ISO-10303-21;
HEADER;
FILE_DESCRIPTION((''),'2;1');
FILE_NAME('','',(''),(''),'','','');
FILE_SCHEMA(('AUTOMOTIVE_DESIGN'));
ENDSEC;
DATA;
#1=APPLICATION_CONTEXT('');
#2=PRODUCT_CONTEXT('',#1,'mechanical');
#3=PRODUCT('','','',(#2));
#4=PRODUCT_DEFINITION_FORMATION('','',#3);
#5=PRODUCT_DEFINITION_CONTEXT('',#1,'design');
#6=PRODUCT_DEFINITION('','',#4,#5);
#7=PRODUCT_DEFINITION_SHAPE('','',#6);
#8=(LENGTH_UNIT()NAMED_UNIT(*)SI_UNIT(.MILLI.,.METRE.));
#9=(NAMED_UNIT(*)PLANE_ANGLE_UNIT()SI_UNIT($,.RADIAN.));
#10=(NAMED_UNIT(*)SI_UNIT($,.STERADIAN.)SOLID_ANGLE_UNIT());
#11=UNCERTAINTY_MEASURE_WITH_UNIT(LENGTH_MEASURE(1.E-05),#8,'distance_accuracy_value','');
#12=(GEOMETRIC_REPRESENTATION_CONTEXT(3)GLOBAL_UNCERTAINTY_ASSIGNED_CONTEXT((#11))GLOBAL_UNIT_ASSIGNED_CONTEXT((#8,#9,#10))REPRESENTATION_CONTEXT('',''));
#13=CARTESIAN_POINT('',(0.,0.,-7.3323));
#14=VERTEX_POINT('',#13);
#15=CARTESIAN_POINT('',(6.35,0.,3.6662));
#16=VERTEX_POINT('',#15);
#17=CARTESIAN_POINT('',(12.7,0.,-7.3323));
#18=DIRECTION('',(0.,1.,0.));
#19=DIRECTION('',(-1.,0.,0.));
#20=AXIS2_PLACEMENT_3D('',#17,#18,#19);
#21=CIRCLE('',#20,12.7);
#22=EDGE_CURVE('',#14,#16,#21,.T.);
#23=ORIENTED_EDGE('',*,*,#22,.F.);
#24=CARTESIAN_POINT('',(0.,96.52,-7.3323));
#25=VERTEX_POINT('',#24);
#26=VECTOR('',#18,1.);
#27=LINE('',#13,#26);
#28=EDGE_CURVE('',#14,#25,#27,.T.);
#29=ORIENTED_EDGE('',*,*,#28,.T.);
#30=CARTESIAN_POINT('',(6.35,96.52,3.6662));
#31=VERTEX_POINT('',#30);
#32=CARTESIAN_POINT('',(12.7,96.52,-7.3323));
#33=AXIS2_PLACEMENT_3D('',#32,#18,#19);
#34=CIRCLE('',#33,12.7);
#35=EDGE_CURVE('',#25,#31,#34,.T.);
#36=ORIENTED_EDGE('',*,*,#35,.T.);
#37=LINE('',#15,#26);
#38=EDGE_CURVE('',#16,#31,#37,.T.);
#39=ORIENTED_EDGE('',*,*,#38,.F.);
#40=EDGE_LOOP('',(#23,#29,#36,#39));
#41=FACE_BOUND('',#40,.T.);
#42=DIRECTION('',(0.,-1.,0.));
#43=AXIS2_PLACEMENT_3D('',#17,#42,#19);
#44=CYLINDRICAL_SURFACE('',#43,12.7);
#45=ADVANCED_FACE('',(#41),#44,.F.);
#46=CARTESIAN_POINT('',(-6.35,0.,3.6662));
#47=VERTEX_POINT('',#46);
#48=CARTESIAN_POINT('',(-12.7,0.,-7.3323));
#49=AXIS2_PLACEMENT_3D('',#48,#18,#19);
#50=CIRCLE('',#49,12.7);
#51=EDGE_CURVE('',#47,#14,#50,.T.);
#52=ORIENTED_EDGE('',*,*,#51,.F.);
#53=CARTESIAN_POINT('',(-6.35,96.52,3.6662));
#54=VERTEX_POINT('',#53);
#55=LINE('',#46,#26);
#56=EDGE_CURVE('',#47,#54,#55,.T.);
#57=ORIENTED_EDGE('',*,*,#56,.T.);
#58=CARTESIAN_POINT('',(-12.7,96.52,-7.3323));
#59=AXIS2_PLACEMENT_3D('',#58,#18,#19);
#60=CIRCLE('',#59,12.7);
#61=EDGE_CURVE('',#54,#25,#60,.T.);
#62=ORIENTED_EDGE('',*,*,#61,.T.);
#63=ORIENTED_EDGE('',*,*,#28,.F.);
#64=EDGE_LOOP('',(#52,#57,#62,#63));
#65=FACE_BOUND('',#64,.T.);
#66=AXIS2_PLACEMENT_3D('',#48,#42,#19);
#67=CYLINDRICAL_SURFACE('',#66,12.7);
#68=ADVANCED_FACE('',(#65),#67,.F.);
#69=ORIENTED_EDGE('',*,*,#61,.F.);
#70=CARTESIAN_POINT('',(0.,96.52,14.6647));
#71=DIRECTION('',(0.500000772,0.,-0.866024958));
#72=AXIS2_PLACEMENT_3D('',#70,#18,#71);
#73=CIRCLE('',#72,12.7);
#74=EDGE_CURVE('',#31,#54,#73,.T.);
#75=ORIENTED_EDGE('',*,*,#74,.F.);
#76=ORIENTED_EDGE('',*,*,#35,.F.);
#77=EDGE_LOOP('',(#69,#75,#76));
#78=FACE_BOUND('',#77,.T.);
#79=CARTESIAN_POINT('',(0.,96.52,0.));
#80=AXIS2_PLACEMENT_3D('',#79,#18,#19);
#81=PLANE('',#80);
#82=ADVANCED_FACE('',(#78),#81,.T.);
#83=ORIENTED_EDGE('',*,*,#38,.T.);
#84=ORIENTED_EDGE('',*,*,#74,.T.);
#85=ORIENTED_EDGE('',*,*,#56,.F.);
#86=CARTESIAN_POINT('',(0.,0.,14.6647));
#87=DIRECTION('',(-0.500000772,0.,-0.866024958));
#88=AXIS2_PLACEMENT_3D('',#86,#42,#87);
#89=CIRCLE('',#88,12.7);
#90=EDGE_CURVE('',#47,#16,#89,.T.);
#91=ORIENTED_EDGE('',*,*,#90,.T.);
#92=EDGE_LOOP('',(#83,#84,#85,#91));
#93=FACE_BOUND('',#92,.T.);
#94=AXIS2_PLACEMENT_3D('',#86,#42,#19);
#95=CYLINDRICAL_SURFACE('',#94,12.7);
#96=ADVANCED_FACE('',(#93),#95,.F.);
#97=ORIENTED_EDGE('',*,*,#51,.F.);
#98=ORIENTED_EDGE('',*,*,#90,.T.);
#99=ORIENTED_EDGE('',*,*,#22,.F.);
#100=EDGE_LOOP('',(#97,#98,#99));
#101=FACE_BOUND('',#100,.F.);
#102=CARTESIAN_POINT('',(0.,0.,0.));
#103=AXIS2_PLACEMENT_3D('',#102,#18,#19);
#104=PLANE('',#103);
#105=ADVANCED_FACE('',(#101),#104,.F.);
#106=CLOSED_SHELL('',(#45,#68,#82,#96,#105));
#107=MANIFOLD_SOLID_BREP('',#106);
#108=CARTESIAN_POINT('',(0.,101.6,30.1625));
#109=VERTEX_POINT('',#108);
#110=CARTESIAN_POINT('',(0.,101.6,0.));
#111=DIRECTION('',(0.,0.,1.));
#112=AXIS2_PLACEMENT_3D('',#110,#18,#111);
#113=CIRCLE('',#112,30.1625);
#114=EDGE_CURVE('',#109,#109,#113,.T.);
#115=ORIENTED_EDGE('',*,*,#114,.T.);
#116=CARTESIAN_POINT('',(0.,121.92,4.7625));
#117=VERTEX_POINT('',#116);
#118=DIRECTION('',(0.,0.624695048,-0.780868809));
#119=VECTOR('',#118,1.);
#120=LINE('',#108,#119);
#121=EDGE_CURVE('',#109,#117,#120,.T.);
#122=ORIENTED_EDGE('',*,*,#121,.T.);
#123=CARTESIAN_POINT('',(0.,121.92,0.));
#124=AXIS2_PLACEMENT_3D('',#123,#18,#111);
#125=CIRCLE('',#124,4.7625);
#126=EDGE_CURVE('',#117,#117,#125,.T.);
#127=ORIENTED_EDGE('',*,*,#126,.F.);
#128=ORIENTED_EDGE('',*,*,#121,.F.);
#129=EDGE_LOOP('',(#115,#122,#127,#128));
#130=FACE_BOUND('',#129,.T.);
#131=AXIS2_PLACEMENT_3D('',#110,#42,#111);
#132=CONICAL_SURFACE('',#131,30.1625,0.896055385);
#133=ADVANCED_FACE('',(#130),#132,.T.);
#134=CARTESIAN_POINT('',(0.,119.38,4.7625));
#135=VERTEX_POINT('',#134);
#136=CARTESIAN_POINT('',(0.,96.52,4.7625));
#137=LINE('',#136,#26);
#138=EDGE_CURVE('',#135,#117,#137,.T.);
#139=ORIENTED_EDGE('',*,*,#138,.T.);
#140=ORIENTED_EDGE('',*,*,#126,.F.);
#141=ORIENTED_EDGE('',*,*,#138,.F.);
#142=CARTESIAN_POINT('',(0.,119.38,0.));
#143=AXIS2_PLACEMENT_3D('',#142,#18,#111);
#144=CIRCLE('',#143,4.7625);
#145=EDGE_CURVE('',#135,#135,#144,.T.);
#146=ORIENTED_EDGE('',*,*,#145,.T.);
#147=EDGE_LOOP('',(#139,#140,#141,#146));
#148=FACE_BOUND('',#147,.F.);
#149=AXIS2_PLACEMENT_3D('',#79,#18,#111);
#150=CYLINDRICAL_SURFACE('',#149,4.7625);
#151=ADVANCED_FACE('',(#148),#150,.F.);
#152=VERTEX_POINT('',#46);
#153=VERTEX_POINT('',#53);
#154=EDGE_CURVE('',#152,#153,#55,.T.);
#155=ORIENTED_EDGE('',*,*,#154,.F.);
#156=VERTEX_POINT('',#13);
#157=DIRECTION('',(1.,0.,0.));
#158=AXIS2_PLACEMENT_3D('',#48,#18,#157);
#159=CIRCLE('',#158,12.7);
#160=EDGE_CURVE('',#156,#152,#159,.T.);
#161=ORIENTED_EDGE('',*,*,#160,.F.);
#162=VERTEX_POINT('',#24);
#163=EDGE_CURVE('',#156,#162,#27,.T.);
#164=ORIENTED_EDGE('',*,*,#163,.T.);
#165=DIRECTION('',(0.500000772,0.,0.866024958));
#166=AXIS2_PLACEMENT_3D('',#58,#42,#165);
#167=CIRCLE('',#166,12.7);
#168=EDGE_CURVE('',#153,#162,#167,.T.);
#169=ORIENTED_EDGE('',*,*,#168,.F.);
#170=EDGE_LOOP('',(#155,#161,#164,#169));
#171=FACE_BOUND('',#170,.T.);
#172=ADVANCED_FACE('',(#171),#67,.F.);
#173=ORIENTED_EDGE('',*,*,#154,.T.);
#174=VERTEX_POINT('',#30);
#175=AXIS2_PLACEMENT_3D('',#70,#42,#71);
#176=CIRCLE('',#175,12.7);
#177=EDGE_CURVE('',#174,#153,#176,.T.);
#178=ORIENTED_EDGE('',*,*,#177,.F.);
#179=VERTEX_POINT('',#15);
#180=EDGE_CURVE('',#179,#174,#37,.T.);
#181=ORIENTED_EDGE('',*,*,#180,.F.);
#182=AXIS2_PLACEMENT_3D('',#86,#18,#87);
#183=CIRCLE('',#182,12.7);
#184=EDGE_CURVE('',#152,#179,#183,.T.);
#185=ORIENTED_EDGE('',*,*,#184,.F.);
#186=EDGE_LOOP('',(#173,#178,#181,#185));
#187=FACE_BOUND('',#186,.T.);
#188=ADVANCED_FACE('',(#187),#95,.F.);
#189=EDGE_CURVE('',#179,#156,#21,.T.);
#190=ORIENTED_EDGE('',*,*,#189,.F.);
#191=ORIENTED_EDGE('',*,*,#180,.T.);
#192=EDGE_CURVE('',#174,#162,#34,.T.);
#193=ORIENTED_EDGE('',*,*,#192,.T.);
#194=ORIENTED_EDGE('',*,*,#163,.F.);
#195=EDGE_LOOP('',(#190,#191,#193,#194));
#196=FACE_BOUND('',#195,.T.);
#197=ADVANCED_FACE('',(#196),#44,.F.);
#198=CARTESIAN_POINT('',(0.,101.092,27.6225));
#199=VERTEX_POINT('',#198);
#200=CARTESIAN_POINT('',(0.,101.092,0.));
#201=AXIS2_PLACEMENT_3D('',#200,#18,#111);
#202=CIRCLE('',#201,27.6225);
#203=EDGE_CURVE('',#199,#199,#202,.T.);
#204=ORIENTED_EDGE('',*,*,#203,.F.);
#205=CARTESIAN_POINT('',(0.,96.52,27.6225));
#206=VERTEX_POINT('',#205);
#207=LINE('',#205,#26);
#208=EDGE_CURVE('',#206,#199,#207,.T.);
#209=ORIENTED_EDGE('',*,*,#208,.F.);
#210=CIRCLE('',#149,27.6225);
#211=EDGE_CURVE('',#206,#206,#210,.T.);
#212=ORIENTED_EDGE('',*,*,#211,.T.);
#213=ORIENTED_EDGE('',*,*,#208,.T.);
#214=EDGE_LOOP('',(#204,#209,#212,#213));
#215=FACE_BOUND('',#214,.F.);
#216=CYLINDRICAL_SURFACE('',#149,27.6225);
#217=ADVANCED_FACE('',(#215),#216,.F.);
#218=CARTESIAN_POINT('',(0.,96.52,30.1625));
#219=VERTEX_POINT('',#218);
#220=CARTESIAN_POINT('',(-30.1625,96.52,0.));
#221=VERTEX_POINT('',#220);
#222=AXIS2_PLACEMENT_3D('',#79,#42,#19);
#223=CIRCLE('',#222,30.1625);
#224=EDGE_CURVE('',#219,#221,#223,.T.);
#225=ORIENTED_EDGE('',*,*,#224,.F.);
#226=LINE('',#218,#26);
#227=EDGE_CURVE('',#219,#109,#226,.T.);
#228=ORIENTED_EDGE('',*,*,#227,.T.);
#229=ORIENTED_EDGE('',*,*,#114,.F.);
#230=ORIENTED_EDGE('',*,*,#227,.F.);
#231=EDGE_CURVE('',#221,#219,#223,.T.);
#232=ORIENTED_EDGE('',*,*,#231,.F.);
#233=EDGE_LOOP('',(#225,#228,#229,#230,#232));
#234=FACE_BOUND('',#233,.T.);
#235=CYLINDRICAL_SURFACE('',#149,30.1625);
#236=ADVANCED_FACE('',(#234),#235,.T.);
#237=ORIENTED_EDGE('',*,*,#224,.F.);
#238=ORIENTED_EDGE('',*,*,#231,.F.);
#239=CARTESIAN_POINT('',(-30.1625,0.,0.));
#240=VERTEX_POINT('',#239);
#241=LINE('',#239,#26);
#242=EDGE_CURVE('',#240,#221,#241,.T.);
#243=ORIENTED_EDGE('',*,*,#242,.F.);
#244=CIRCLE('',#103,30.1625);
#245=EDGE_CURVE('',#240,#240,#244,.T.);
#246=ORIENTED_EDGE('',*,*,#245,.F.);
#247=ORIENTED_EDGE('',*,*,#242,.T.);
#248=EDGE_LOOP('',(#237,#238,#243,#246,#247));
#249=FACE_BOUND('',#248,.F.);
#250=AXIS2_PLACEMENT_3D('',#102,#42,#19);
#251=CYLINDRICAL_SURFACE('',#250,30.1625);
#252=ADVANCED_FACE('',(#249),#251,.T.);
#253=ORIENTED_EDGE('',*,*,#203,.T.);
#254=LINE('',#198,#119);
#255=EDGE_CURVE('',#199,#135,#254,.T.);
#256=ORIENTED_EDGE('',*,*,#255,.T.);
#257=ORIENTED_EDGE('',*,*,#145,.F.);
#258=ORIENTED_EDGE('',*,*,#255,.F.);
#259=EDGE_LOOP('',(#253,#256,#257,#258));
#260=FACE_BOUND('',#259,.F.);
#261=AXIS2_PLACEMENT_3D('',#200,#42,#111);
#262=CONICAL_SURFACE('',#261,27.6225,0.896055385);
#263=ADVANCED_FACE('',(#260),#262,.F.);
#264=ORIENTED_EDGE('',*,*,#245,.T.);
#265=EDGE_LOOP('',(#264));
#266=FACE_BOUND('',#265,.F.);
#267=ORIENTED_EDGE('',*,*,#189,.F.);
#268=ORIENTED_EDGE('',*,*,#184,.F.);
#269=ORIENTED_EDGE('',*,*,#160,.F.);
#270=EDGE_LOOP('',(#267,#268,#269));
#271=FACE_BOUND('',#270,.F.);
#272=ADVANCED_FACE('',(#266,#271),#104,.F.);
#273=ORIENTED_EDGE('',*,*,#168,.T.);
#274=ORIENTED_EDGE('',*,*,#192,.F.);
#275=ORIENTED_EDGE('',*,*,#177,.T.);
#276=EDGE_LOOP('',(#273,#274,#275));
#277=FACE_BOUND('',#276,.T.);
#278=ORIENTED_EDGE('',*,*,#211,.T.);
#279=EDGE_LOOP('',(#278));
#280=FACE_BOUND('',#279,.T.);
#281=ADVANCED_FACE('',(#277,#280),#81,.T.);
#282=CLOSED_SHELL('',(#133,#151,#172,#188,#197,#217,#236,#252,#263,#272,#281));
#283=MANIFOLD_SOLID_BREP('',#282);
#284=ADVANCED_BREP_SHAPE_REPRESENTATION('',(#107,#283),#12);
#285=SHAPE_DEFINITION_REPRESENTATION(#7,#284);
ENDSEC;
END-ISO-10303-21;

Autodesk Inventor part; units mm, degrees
ref_plane "XZ Plane" through (0, 0, 0) normal (0, 1, 0) x (-1, 0, 0)
ref_plane "XY Plane" through (0, 0, 0) normal (0, 0, 1) x (1, 0, 0)
sketch "Sketch1" plane through (0, 0, 0) normal (0, 1, 0) x (-1, 0, 0)
  circle A0 centre (-12.7, -7.3323) radius 12.7
  circle A1 centre (0, 14.6647) radius 12.7
  circle A2 centre (12.7, -7.3323) radius 12.7
  circle A3 centre (0, 0) radius 36.5125
  circle A4 centre (0, 0) radius 30.1625
  line L0 (0, 14.6647) -> (-12.7, -7.3323) construction
  line L1 (-12.7, -7.3323) -> (12.7, -7.3323) construction
  line L2 (12.7, -7.3323) -> (0, 14.6647) construction
  line L3 (0, -7.3323) -> (0, 14.6647) construction
  line L4 (6.35, 3.6662) -> (-12.7, -7.3323) construction
  line L5 (-6.35, 3.6662) -> (12.7, -7.3323) construction
  line L6 (0, -7.3323) -> (0, 27.3647) construction
  circle A5 centre (0, 0) radius 27.3647 construction
  line L7 (0, -51.1175) -> (0, 51.1175) projected
  point P0 (-6.35, 3.6662)
  dimension "d0" = 25.4
  dimension "d1" = 25.4
  dimension "d2" = 25.4
  dimension "d7" = 73.025
  dimension "d8" = 6.35
extrude "Extrusion1" add sketch "Sketch1" along normal blind 96.52 contours L7 A4 A1 A0 | L7 A1 A2 | A2 A1 L7 A4 | A0 A1 L7
sketch "Sketch2" plane through (0, 96.52, 0) normal (0, 1, 0) x (1, 0, 0)
  circle A0 centre (0, 0) radius 30.1625
ref_plane "Work Plane2" through (0, 0, 0) normal (1, 0, 0) x (0, 1, 0)
sketch "Sketch4" plane through (0, 0, 0) normal (1, 0, 0) x (0, 1, 0)
  line L0 (96.52, -30.1625) -> (96.52, 30.1625) projected
  line L1 (96.52, 4.7625) -> (121.92, 4.7625)
  line L2 (96.52, -30.1625) -> (96.52, 30.1625) projected
  line L3 (0, 30.1625) -> (0, -30.1625) projected
  line L4 (96.52, -30.1625) -> (96.52, 30.1625) projected
  line L5 (0, 30.1625) -> (0, -30.1625) projected
  line L6 (0, 30.1625) -> (96.52, 30.1625) projected
  line L7 (96.52, 4.7625) -> (96.52, 30.1625)
  line L8 (96.52, 30.1625) -> (101.6, 30.1625)
  line L9 (101.6, 30.1625) -> (121.92, 4.7625)
  line L10 (96.52, 0) -> (123.5586, 0)
  line L11 (101.092, 27.6225) -> (119.38, 4.7625)
  line L12 (96.52, 27.6225) -> (101.092, 27.6225)
  line L13 (96.52, 27.6225) -> (96.52, 30.1625)
  point P0 (0, 0)
  dimension "d14" = 25.4
  dimension "d15" = 25.4
  dimension "d16" = 5.08
  dimension "d18" = 4.7625
  dimension "d19" = 2.54
revolve "Revolution1" add sketch "Sketch4" angle 360 about axis through (0, 96.52, 0) along (0, 1, 0) contours L0 L8 L9 L1 L11 L12
equation "\"d0\" = d1"
equation "\"d2\" = d1"
properties part number "EngineMount"
